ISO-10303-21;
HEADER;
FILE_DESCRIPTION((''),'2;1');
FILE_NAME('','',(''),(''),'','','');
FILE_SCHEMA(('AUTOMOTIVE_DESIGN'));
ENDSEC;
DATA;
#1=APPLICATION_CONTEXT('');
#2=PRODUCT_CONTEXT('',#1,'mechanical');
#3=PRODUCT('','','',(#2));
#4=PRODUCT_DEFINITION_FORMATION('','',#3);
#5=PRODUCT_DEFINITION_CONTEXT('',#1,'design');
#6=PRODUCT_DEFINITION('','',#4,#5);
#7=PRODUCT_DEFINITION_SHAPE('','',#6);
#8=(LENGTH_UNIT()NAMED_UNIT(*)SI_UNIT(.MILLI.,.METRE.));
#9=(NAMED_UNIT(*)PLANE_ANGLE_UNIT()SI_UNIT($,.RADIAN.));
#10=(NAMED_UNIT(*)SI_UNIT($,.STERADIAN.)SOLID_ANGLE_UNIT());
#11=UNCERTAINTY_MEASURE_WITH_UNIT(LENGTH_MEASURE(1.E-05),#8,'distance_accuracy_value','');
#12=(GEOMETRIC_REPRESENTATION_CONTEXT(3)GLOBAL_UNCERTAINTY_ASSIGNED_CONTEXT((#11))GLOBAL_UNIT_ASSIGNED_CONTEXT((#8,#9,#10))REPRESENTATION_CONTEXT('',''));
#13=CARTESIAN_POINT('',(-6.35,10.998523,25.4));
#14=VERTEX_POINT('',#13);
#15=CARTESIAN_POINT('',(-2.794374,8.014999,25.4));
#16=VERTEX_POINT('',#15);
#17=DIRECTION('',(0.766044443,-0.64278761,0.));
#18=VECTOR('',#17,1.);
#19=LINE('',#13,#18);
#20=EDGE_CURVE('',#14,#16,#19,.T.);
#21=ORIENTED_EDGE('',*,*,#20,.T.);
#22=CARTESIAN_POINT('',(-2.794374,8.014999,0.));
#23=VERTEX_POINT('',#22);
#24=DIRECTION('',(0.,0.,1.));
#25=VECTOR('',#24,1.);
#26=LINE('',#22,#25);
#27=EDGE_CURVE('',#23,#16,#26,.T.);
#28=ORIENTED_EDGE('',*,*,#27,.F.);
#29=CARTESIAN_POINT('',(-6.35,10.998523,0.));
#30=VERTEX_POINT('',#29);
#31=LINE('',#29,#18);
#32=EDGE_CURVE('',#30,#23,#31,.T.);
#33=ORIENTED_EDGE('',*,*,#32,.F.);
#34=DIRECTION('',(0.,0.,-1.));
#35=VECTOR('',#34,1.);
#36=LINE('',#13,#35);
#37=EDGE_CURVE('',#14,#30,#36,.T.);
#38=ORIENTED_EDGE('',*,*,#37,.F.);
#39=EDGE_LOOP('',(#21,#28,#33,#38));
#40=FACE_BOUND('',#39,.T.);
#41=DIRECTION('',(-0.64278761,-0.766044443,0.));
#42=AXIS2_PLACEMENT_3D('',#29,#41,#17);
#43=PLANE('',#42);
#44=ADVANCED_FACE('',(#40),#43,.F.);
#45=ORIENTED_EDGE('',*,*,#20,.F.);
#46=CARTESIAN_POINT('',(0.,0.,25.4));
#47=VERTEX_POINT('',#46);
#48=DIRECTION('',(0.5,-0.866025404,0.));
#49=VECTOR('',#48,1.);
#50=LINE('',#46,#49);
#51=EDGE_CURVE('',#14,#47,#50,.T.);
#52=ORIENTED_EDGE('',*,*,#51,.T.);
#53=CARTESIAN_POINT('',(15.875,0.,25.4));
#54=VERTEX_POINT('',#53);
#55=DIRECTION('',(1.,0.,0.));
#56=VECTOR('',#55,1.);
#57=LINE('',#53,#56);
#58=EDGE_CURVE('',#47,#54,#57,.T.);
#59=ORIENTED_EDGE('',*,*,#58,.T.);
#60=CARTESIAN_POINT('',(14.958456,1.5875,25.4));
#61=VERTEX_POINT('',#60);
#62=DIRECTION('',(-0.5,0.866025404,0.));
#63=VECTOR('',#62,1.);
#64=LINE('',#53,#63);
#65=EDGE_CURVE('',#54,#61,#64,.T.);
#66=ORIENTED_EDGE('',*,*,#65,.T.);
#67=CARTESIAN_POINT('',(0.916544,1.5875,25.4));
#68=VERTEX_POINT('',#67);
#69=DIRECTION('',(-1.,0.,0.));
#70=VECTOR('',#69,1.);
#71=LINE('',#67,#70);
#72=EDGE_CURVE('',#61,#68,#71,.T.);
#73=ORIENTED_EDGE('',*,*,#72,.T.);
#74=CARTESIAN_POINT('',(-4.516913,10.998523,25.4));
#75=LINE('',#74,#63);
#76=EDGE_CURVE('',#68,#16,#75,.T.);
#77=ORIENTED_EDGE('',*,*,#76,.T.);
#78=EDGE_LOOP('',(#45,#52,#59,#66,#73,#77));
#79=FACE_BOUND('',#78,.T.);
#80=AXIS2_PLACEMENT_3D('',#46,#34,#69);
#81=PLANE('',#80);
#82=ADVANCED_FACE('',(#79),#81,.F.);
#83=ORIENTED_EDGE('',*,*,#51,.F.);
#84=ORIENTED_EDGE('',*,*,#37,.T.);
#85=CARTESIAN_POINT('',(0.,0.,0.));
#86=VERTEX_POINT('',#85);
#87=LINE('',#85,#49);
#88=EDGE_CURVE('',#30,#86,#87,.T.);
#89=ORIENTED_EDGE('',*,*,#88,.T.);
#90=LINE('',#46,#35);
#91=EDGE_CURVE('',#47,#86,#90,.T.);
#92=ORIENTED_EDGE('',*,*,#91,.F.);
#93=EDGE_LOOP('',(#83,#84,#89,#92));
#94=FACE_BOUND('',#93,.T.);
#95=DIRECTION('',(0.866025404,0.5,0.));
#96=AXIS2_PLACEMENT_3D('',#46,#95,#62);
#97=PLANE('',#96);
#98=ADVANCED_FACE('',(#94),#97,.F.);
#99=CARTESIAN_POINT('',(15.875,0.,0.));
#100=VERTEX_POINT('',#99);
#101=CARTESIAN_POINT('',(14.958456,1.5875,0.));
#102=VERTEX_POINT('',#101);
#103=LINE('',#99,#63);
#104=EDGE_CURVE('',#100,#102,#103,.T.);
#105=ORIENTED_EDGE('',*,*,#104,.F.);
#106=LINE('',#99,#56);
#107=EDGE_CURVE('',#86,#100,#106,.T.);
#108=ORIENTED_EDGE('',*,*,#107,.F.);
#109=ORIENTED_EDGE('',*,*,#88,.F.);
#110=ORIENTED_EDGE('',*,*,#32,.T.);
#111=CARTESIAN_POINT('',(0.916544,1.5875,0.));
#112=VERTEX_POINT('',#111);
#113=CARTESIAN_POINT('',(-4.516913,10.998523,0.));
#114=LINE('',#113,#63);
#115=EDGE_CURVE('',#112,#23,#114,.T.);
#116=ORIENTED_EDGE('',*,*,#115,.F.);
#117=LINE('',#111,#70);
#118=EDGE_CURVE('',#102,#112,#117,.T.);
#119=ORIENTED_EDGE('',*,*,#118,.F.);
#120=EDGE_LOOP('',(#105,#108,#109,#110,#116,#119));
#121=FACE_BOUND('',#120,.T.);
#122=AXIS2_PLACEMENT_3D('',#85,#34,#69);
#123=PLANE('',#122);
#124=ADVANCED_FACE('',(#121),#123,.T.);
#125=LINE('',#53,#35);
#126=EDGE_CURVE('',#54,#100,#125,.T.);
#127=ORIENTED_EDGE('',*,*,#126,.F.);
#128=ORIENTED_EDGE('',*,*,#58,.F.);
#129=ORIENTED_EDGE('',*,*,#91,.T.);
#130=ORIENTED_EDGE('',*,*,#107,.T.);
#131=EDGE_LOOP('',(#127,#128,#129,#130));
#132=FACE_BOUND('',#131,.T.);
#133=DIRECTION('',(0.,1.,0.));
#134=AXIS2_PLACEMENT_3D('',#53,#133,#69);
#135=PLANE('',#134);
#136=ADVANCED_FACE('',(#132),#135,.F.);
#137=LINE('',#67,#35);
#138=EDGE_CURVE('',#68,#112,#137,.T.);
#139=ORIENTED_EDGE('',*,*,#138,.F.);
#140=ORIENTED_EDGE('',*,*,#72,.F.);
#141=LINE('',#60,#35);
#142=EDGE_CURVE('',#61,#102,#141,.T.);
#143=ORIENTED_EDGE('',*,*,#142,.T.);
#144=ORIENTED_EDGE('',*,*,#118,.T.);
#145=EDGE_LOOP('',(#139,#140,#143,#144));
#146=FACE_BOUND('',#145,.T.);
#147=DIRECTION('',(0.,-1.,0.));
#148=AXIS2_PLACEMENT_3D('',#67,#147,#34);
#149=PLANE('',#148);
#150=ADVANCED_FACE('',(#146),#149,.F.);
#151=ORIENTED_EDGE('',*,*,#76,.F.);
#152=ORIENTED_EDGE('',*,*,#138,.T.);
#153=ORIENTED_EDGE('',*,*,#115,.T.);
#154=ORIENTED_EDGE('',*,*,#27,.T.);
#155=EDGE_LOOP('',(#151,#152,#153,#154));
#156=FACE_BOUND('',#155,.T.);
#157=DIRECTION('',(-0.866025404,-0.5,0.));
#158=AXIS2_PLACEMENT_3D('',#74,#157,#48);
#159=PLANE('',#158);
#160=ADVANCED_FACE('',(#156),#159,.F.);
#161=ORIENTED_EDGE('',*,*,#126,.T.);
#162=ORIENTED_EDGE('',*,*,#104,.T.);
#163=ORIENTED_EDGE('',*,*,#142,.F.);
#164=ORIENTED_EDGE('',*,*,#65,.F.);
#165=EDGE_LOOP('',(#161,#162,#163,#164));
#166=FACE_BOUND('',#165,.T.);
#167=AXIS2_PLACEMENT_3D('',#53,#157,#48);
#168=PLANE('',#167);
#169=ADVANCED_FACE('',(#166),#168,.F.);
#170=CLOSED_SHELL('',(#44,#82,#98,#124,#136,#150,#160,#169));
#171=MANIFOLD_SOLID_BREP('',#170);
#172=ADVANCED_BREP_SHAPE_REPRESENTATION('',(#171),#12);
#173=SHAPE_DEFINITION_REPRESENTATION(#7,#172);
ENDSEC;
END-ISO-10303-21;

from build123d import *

# Parameters (mm, degrees)
BOSS_EXTRUDE1_DEPTH = 25.4
CUT_EXTRUDE1_DEPTH  = 26.4


with BuildPart() as part:
    # Sketch1 → Boss-Extrude1 (new body)
    with BuildSketch(Plane.XY):
        Polygon((0, 0), (-6.35, 10.998522628), (-4.516912895, 10.998522628), (0.916543552, 1.5875), (14.958456448, 1.5875), (15.875, 0), align=None)
    extrude(amount=BOSS_EXTRUDE1_DEPTH)

    # Sketch2 → Cut-Extrude1 (cut, through all)
    with BuildSketch(Plane.XY.offset(25.4)):
        Polygon((-6.35, 10.998522628), (-2.79437447, 8.014998557), (-4.516912895, 10.998522628), align=None)
    extrude(amount=-CUT_EXTRUDE1_DEPTH, mode=Mode.SUBTRACT)


solid = part.part
